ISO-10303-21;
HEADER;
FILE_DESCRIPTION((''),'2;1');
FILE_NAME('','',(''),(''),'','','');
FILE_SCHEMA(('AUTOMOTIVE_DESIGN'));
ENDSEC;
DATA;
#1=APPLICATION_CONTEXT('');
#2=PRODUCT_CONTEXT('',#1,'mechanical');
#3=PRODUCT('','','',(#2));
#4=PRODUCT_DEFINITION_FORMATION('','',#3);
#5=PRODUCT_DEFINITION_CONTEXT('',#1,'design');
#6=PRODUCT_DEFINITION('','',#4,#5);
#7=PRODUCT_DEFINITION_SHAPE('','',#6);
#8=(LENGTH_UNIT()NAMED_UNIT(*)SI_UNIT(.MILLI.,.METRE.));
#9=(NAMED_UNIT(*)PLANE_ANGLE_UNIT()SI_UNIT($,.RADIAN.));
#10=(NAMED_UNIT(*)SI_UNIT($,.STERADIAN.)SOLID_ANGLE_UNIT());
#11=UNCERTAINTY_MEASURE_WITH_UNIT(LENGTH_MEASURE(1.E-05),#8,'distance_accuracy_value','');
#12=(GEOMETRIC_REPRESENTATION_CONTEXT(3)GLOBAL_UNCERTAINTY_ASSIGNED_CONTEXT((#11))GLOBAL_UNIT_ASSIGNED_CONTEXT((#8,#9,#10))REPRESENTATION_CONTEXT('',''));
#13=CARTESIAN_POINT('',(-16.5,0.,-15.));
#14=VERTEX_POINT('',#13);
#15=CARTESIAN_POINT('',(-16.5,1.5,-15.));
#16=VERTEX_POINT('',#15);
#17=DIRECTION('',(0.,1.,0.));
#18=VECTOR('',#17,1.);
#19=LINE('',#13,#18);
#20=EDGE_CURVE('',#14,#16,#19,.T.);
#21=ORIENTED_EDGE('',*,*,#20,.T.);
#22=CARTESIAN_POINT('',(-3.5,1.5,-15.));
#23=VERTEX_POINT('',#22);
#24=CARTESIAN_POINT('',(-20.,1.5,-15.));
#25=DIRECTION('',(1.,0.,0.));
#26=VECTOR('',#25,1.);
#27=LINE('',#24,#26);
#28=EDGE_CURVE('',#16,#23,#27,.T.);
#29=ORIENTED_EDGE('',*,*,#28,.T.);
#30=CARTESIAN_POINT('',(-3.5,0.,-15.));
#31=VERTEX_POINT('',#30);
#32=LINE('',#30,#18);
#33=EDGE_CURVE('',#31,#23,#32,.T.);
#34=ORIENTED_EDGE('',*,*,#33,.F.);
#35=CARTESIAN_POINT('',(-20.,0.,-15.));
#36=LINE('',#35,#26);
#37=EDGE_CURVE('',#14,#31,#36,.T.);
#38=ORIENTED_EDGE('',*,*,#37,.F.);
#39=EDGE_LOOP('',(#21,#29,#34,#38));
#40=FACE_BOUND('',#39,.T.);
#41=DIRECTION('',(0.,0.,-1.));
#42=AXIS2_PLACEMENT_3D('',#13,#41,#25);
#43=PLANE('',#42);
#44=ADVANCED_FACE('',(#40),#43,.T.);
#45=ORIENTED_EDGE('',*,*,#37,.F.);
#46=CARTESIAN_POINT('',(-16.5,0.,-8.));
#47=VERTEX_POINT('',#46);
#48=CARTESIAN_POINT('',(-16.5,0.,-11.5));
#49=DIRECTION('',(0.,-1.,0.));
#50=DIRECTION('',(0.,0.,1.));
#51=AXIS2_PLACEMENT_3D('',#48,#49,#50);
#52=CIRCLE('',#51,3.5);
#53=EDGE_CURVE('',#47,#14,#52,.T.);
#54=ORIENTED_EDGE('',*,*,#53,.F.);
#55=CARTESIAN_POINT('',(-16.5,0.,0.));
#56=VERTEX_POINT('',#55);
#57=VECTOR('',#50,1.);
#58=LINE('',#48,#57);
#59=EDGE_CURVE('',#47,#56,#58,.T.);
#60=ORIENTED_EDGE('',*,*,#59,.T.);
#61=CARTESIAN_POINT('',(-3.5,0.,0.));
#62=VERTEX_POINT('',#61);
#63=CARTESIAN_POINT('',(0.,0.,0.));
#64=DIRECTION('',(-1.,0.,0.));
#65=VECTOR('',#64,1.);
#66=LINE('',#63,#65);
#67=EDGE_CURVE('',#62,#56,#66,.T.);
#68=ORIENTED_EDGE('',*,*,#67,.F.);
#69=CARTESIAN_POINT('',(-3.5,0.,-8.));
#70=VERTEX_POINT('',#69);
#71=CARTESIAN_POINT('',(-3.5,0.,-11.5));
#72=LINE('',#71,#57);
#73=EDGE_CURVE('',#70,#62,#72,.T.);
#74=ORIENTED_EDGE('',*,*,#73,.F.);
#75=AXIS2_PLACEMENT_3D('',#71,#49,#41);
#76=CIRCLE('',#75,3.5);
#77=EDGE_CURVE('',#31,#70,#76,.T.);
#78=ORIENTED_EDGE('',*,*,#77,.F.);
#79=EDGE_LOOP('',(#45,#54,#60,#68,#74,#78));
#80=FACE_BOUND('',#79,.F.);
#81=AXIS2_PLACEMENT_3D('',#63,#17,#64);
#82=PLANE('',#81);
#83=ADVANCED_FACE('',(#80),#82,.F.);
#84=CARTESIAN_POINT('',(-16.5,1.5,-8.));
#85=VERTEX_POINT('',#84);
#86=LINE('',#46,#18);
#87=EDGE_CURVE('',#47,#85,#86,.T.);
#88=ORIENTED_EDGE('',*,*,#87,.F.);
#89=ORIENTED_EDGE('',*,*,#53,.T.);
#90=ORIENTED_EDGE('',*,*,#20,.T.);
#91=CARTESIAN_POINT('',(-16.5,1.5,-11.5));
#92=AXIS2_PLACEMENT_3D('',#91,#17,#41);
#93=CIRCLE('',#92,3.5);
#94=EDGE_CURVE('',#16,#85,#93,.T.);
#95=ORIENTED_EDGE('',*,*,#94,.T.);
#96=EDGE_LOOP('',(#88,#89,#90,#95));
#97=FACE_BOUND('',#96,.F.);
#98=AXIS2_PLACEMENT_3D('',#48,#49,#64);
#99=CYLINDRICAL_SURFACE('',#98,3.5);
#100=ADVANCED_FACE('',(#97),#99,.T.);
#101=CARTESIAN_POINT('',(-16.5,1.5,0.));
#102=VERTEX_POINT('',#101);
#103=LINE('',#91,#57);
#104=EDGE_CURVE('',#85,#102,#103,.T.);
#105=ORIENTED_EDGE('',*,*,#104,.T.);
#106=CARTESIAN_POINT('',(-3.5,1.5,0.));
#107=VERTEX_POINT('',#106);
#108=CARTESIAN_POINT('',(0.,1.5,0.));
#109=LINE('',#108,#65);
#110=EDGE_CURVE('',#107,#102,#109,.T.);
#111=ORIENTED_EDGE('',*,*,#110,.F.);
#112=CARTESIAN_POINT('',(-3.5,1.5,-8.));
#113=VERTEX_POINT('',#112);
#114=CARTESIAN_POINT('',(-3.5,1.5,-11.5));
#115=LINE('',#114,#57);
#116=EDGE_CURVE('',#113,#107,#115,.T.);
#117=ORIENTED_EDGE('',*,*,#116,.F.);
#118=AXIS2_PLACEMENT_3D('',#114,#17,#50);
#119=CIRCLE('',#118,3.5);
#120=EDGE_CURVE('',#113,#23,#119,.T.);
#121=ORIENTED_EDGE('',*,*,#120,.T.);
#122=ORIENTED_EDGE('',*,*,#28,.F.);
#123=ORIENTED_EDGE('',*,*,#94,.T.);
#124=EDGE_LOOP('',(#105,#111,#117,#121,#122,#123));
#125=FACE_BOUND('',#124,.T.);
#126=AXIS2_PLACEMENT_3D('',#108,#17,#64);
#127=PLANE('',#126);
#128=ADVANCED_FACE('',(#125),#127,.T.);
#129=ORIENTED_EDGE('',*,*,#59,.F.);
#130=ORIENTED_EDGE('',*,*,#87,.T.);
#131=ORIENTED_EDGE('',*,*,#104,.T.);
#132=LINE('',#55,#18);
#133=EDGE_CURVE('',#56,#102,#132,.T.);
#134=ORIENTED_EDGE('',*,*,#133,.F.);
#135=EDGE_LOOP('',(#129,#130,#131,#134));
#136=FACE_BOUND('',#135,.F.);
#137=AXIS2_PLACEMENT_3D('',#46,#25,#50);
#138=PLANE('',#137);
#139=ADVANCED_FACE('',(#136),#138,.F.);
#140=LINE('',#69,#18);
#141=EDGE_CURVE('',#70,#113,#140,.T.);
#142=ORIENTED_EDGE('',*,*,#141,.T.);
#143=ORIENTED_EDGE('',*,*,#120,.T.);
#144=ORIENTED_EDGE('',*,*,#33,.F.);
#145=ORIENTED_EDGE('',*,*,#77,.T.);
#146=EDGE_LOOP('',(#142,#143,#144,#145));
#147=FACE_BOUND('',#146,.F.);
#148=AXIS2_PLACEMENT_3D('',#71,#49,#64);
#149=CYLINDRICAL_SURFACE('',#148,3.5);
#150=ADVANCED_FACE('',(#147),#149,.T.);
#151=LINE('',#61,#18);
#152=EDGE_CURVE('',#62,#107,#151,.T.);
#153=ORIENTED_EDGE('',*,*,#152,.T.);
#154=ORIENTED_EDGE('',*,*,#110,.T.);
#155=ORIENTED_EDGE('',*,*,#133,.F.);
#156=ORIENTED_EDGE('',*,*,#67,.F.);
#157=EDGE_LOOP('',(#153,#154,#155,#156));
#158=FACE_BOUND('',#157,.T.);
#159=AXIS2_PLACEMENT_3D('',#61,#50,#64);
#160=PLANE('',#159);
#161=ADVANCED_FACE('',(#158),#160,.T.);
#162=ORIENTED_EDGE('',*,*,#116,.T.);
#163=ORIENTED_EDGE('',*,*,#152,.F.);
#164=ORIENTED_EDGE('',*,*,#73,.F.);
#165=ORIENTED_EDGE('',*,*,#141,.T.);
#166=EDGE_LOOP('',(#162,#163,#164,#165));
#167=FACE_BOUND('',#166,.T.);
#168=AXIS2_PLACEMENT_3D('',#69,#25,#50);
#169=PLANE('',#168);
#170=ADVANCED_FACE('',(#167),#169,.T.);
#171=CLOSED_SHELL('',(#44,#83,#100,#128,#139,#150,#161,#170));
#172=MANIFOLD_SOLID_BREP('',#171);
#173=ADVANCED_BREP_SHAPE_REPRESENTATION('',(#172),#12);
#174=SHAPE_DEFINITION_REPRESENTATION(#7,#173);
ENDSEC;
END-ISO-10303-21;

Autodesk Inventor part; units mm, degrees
ref_plane "YZ Plane" through (0, 0, 0) normal (1, 0, 0) x (0, 1, 0)
ref_plane "XZ Plane" through (0, 0, 0) normal (0, 1, 0) x (-1, 0, 0)
ref_plane "XY Plane" through (0, 0, 0) normal (0, 0, 1) x (1, 0, 0)
sketch "スケッチ1" plane through (0, 0, 0) normal (0, 1, 0) x (-1, 0, 0)
  line L0 (0, 0) -> (20, 0)
  line L1 (20, 0) -> (20, -15)
  line L2 (20, -15) -> (0, -15)
  line L3 (0, -15) -> (0, 0)
  circle A0 centre (16.5, -11.5) radius 3.5
  circle A1 centre (3.5, -11.5) radius 3.5
  line L4 (16.5, -11.5) -> (16.5, 0)
  line L5 (3.5, -11.5) -> (3.5, 0)
  point P0 (16.5, -15)
  point P1 (16.5, -8)
  point P2 (3.5, -8)
  point P3 (3.5, -15)
  dimension "d0" = 20
  dimension "d1" = 15
  dimension "d2" = 7
  dimension "d3" = 7
extrude "押し出し1" add sketch "スケッチ1" along normal blind 1.5 contours L0 L4 A0 L2 A1 L5 | A1 | A0
properties part number "led"
